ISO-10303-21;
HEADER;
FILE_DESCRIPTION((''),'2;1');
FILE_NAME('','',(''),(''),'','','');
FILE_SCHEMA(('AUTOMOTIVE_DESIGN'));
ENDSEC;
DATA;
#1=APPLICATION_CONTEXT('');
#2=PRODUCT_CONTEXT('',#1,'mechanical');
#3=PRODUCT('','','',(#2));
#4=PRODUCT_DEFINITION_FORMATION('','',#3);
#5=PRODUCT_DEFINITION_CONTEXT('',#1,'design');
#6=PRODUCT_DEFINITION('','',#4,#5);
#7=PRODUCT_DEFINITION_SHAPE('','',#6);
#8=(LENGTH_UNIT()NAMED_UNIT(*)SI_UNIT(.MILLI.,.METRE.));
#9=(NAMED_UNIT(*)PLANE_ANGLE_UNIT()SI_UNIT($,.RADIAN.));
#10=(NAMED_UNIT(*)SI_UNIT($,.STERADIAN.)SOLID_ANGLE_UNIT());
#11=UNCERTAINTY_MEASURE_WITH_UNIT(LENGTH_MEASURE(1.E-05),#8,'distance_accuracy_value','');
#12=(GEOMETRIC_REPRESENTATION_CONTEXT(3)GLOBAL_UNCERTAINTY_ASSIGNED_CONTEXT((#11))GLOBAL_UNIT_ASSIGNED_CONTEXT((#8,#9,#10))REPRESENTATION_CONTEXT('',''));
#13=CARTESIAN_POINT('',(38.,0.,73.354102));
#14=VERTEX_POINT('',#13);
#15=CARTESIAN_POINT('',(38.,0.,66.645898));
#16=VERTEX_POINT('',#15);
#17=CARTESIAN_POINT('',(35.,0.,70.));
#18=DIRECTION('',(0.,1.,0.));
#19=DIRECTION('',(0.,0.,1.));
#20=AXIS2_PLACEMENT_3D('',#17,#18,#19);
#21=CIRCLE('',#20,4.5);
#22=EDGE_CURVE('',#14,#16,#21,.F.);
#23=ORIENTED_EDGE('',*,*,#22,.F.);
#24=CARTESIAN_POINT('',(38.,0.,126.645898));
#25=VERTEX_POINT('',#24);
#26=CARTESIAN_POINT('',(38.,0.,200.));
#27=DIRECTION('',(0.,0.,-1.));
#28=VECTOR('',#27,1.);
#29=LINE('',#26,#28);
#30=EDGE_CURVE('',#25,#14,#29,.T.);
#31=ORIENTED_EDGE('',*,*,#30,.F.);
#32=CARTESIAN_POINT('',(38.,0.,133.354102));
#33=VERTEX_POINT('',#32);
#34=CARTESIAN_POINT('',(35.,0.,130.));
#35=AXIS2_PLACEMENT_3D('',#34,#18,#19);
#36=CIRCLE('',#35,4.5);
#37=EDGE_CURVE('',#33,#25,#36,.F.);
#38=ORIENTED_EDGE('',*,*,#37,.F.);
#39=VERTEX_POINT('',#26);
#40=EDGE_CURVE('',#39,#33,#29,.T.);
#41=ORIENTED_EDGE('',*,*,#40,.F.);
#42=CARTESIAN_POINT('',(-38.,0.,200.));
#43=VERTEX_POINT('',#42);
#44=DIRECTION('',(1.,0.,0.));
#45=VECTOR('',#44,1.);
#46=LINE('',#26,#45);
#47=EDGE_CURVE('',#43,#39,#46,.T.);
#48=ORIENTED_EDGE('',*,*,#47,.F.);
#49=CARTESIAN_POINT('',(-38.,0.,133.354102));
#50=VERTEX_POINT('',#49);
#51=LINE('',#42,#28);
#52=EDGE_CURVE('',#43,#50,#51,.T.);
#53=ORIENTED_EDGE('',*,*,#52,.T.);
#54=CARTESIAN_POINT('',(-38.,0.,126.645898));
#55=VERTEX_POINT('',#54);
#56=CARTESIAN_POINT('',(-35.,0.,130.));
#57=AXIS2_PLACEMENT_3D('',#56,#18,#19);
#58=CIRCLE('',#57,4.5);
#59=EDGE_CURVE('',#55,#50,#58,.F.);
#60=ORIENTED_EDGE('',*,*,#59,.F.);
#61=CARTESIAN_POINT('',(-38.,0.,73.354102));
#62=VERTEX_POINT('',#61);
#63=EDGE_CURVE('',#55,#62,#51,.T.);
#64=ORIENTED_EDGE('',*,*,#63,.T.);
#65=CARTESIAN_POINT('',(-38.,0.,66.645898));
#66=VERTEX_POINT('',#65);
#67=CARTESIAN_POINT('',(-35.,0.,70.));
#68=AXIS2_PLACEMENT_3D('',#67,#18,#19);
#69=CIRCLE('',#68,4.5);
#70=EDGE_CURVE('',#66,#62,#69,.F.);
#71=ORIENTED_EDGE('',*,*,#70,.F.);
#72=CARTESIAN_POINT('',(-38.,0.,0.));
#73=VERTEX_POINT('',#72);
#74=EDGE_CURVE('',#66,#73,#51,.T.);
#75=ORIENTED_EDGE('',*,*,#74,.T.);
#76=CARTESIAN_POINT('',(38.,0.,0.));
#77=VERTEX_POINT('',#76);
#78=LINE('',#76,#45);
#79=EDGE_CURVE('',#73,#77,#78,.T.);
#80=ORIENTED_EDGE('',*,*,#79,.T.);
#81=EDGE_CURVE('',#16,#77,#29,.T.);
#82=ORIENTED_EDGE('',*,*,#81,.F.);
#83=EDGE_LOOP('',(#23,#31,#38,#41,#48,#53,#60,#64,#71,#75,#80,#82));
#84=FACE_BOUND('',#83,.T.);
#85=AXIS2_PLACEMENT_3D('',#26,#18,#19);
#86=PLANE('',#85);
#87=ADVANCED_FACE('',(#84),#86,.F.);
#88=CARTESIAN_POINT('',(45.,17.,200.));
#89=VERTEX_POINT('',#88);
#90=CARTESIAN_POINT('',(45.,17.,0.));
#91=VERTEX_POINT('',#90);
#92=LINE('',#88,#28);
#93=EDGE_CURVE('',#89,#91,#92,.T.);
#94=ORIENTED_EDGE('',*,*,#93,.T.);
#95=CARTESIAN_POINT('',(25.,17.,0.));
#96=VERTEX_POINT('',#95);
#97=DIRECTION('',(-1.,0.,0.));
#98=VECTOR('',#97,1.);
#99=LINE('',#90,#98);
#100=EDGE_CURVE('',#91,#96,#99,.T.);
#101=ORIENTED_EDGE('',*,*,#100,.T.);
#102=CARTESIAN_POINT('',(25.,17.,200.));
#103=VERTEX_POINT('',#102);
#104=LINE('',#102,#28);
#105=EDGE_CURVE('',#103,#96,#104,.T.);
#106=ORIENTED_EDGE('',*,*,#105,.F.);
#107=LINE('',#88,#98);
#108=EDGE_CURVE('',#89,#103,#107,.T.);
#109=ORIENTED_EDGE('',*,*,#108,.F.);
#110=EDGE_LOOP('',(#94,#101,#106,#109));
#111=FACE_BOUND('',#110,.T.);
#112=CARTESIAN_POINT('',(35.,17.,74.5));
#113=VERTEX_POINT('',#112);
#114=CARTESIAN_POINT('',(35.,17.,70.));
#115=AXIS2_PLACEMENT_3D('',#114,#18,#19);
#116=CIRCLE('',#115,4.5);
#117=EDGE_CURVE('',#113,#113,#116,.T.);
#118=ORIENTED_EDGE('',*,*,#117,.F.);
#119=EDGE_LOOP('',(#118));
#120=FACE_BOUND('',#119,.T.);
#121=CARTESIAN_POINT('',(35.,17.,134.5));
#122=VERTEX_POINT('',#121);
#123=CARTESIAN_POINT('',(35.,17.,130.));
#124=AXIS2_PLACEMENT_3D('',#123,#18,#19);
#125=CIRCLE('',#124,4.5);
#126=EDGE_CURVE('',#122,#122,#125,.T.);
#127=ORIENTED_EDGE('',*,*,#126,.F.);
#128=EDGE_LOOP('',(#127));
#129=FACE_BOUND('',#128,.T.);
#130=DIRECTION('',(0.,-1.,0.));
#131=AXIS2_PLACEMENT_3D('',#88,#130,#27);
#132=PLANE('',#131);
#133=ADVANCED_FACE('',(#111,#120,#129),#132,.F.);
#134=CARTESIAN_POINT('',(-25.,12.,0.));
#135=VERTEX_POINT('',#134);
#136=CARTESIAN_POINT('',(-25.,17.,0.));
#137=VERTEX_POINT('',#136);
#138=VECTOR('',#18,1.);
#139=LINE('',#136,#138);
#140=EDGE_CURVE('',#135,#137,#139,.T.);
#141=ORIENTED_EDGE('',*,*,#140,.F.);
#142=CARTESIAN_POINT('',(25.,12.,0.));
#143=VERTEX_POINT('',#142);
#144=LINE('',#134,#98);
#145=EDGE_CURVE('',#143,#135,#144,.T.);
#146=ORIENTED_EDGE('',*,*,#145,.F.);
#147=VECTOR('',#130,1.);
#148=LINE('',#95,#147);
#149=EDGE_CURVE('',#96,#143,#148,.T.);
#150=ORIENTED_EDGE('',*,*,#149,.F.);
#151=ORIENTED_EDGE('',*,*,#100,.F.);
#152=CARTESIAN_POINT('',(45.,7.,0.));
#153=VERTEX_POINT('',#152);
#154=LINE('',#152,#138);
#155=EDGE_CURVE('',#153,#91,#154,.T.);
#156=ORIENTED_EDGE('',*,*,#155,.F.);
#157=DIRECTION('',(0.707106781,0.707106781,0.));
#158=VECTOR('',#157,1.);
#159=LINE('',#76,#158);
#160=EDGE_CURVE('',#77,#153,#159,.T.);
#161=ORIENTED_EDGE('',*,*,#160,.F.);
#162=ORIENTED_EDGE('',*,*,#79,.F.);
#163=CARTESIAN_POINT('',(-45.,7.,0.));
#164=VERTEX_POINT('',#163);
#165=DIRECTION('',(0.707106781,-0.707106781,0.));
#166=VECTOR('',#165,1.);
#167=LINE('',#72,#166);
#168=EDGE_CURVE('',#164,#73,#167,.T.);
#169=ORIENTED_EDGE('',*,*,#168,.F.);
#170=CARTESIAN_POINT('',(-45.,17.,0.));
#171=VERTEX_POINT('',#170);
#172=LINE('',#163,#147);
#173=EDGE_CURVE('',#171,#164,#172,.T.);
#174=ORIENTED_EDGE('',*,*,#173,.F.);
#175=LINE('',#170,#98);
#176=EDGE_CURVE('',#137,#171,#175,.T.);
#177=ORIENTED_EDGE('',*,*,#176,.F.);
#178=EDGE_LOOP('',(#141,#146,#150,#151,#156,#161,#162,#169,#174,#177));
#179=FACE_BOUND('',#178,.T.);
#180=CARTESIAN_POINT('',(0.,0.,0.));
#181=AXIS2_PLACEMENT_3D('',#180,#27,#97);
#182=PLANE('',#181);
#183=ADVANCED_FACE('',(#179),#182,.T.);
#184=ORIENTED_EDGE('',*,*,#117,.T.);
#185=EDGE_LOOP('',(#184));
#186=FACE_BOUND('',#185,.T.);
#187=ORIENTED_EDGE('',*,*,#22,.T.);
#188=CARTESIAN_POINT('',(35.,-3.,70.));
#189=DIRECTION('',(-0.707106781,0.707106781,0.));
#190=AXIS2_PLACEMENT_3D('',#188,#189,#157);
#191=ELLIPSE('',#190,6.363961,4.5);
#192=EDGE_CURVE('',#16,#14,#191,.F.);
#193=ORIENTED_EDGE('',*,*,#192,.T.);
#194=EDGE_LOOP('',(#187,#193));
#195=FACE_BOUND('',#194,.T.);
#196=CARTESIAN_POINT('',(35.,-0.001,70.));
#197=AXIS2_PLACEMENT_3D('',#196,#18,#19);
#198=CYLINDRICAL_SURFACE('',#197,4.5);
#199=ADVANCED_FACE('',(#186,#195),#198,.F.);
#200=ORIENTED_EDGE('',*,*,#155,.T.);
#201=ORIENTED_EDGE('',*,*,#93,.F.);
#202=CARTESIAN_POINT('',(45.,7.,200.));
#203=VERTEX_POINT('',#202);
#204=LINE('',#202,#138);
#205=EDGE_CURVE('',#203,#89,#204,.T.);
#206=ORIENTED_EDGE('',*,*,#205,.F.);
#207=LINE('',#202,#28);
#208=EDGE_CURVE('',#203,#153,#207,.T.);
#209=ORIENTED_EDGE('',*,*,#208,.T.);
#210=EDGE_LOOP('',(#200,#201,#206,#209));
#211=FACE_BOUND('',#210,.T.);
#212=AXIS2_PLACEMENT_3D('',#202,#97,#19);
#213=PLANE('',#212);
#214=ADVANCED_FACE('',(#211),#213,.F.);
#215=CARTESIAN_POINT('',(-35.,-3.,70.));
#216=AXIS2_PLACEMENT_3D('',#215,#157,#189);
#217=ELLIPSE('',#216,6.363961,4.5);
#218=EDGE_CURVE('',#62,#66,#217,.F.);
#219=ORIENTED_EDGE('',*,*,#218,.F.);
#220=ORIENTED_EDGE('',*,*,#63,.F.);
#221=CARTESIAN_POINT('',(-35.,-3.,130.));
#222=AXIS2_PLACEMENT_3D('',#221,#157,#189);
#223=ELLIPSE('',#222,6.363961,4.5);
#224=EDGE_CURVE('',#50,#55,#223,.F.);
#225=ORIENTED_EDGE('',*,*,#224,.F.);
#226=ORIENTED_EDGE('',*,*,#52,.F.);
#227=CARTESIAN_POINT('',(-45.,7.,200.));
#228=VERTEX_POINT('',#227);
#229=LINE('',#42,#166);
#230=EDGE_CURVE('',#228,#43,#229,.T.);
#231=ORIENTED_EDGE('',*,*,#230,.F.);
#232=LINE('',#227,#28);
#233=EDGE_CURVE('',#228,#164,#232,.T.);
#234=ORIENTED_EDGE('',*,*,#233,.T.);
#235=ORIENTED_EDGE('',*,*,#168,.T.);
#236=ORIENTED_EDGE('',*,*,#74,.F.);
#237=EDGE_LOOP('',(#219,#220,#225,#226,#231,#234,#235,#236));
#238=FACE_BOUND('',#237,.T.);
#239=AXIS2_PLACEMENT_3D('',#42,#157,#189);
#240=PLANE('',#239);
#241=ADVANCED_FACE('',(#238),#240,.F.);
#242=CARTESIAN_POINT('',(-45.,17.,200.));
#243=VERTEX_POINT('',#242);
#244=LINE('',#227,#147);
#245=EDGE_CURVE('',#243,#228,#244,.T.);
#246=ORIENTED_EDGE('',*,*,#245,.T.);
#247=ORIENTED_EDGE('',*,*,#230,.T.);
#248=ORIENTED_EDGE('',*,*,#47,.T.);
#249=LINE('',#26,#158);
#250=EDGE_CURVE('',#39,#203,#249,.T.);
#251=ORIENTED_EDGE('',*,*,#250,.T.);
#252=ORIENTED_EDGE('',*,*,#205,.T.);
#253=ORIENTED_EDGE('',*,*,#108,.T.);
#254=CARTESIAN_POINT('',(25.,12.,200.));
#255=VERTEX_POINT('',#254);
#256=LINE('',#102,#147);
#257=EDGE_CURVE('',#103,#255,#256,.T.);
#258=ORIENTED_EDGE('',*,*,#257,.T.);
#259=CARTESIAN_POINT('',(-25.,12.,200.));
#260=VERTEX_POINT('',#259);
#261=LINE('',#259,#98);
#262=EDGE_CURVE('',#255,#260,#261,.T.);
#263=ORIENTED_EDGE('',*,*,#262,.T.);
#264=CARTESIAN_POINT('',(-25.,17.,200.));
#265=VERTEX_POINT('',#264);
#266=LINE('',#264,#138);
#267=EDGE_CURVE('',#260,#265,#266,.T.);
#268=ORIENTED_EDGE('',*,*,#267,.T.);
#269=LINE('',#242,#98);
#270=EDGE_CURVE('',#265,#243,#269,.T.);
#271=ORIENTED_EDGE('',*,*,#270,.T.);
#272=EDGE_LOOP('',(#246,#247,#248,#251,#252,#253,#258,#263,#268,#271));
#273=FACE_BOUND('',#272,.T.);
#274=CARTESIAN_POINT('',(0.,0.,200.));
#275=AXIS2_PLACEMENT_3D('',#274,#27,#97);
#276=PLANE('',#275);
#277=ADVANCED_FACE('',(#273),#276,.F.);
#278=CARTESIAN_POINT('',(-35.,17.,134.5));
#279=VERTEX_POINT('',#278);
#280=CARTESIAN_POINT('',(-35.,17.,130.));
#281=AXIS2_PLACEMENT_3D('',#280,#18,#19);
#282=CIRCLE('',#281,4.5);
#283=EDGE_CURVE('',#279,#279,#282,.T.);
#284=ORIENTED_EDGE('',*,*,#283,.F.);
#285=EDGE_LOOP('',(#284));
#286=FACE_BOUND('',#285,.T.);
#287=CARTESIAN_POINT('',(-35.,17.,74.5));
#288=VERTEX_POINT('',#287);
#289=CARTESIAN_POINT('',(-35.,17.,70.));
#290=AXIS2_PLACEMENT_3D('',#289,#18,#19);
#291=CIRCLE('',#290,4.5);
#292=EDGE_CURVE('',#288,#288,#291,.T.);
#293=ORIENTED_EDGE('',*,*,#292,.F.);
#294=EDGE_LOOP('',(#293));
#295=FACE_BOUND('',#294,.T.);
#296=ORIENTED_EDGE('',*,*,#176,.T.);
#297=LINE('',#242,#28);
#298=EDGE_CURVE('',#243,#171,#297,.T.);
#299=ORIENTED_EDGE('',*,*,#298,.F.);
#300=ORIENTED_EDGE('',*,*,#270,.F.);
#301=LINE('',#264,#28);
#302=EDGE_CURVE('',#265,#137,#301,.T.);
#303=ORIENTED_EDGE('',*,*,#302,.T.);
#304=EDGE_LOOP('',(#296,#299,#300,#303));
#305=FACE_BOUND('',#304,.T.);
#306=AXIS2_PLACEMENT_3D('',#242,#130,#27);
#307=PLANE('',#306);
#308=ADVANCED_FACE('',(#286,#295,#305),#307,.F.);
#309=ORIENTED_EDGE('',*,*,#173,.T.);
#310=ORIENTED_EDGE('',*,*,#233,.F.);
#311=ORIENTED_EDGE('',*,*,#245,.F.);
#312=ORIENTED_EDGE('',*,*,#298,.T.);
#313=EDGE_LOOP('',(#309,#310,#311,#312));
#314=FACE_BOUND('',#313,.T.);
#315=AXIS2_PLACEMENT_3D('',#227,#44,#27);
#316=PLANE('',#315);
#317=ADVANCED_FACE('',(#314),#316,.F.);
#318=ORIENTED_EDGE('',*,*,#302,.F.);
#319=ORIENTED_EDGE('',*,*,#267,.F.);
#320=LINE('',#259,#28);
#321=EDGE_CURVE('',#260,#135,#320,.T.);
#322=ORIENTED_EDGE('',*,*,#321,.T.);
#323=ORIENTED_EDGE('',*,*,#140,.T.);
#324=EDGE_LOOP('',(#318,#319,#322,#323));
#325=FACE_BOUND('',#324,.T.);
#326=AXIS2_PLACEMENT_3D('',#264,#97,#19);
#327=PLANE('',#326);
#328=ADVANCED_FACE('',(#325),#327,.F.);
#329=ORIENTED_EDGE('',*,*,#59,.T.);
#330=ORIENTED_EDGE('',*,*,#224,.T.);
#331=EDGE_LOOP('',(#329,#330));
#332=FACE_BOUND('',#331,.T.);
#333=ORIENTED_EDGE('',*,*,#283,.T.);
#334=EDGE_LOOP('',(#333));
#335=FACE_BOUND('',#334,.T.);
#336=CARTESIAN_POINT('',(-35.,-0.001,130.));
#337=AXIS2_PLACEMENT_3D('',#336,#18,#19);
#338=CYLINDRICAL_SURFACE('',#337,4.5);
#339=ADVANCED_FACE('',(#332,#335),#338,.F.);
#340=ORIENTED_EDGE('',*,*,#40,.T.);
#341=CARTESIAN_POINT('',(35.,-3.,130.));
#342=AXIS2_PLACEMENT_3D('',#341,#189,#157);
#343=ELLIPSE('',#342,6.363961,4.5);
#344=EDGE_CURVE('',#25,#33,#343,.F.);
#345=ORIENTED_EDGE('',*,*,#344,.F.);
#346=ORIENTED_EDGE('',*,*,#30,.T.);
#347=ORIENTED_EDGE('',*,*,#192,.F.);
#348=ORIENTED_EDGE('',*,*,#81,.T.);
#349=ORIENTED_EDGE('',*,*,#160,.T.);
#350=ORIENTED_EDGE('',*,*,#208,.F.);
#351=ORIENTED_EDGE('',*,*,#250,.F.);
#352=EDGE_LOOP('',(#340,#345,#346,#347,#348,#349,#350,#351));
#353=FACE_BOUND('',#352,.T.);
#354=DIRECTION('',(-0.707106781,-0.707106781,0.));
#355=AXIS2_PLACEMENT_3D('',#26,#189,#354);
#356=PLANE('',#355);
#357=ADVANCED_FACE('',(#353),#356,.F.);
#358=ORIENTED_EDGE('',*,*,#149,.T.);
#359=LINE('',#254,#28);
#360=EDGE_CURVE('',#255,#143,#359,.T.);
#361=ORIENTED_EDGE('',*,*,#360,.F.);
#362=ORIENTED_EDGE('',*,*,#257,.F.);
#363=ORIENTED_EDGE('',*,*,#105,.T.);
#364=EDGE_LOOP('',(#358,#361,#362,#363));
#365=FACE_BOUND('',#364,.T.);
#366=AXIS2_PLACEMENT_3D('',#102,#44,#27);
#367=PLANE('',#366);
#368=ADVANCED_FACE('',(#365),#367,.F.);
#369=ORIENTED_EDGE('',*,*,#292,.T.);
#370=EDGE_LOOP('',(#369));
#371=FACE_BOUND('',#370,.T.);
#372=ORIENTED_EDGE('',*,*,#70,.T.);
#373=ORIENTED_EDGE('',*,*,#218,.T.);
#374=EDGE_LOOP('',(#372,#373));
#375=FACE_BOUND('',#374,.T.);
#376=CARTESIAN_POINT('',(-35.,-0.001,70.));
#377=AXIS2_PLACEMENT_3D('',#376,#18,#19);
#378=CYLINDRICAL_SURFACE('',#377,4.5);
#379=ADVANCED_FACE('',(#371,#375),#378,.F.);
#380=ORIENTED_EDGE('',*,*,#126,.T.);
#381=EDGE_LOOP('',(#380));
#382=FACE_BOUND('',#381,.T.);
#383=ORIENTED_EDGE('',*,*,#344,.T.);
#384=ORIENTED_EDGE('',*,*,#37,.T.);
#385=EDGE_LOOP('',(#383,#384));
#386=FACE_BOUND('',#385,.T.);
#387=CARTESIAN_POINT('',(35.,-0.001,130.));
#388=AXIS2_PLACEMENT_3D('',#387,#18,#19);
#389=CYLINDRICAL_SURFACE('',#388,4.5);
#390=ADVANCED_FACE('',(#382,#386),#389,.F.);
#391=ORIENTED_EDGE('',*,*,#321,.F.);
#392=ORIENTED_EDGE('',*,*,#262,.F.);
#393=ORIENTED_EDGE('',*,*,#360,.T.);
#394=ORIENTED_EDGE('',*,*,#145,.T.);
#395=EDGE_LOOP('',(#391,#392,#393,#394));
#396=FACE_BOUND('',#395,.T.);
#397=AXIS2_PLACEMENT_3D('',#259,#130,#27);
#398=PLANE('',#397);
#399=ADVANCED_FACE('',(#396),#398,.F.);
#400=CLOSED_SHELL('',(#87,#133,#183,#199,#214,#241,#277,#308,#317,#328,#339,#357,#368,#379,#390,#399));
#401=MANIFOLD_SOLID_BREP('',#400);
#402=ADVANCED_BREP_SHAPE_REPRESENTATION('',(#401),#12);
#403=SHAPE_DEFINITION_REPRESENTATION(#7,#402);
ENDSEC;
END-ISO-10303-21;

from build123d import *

# Parameters (mm, degrees)
EXTRUDE_1_DEPTH             = 200
CUT_EXTRUDE_1_REACH         = 207.704
SKETCH_2_R                  = 4.5
PATTERN_LINEAR_1_COUNT      = 2
PATTERN_LINEAR_1_PITCH      = 60
PATTERN_LINEAR_1_COUNT_DIR2 = 2
PATTERN_LINEAR_1_PITCH_DIR2 = 70


with BuildPart() as part:
    # 草图1 → 凸台-拉伸1 (new body)
    with BuildSketch(Plane.XY):
        Polygon((38, 0), (-38, 0), (-45, 7), (-45, 17), (-25, 17), (-25, 12), (25, 12), (25, 17), (45, 17), (45, 7), align=None)
    extrude(amount=EXTRUDE_1_DEPTH)

    # 草图2 → 切除-拉伸1 (cut, up to next)
    with BuildSketch(Plane(origin=(0, 17, 0), x_dir=(1, 0, 0), z_dir=(0, 1, 0)), mode=Mode.PRIVATE) as cut_extrude_1_sk1:
        with Locations(Location((-35, -130, 0), (0, 0, 270))):
            Circle(SKETCH_2_R)
    cut_extrude_1_tool1 = extrude(cut_extrude_1_sk1.sketch, amount=-CUT_EXTRUDE_1_REACH, mode=Mode.PRIVATE) & part.part
    cut_extrude_1 = cut_extrude_1_tool1.solids().sort_by_distance((-35, 17, 130))[0]
    add(cut_extrude_1, mode=Mode.SUBTRACT)

    # 阵列(线性)1: 切除-拉伸1; each copy of 切除-拉伸1 runs up to whatever stops it at its own place
    pattern_linear_1_before = part.part  # the part as the pattern finds it: every copy runs up to it
    pattern_linear_1_cut_extrude_1_long = extrude(cut_extrude_1_sk1.sketch, amount=-CUT_EXTRUDE_1_REACH, mode=Mode.PRIVATE)
    pattern_linear_1_cut_extrude_1_tool1 = pattern_linear_1_cut_extrude_1_long.moved(Location(Vector(0, 0, -1) * (0 * PATTERN_LINEAR_1_PITCH) + Vector(1, 0, 0) * (1 * PATTERN_LINEAR_1_PITCH_DIR2))) & pattern_linear_1_before
    add(pattern_linear_1_cut_extrude_1_tool1.solids().sort_by_distance((35, 17, 130))[0], mode=Mode.SUBTRACT)
    pattern_linear_1_cut_extrude_1_tool2 = pattern_linear_1_cut_extrude_1_long.moved(Location(Vector(0, 0, -1) * (1 * PATTERN_LINEAR_1_PITCH) + Vector(1, 0, 0) * (0 * PATTERN_LINEAR_1_PITCH_DIR2))) & pattern_linear_1_before
    add(pattern_linear_1_cut_extrude_1_tool2.solids().sort_by_distance((-35, 17, 70))[0], mode=Mode.SUBTRACT)
    pattern_linear_1_cut_extrude_1_tool3 = pattern_linear_1_cut_extrude_1_long.moved(Location(Vector(0, 0, -1) * (1 * PATTERN_LINEAR_1_PITCH) + Vector(1, 0, 0) * (1 * PATTERN_LINEAR_1_PITCH_DIR2))) & pattern_linear_1_before
    add(pattern_linear_1_cut_extrude_1_tool3.solids().sort_by_distance((35, 17, 70))[0], mode=Mode.SUBTRACT)


solid = part.part
